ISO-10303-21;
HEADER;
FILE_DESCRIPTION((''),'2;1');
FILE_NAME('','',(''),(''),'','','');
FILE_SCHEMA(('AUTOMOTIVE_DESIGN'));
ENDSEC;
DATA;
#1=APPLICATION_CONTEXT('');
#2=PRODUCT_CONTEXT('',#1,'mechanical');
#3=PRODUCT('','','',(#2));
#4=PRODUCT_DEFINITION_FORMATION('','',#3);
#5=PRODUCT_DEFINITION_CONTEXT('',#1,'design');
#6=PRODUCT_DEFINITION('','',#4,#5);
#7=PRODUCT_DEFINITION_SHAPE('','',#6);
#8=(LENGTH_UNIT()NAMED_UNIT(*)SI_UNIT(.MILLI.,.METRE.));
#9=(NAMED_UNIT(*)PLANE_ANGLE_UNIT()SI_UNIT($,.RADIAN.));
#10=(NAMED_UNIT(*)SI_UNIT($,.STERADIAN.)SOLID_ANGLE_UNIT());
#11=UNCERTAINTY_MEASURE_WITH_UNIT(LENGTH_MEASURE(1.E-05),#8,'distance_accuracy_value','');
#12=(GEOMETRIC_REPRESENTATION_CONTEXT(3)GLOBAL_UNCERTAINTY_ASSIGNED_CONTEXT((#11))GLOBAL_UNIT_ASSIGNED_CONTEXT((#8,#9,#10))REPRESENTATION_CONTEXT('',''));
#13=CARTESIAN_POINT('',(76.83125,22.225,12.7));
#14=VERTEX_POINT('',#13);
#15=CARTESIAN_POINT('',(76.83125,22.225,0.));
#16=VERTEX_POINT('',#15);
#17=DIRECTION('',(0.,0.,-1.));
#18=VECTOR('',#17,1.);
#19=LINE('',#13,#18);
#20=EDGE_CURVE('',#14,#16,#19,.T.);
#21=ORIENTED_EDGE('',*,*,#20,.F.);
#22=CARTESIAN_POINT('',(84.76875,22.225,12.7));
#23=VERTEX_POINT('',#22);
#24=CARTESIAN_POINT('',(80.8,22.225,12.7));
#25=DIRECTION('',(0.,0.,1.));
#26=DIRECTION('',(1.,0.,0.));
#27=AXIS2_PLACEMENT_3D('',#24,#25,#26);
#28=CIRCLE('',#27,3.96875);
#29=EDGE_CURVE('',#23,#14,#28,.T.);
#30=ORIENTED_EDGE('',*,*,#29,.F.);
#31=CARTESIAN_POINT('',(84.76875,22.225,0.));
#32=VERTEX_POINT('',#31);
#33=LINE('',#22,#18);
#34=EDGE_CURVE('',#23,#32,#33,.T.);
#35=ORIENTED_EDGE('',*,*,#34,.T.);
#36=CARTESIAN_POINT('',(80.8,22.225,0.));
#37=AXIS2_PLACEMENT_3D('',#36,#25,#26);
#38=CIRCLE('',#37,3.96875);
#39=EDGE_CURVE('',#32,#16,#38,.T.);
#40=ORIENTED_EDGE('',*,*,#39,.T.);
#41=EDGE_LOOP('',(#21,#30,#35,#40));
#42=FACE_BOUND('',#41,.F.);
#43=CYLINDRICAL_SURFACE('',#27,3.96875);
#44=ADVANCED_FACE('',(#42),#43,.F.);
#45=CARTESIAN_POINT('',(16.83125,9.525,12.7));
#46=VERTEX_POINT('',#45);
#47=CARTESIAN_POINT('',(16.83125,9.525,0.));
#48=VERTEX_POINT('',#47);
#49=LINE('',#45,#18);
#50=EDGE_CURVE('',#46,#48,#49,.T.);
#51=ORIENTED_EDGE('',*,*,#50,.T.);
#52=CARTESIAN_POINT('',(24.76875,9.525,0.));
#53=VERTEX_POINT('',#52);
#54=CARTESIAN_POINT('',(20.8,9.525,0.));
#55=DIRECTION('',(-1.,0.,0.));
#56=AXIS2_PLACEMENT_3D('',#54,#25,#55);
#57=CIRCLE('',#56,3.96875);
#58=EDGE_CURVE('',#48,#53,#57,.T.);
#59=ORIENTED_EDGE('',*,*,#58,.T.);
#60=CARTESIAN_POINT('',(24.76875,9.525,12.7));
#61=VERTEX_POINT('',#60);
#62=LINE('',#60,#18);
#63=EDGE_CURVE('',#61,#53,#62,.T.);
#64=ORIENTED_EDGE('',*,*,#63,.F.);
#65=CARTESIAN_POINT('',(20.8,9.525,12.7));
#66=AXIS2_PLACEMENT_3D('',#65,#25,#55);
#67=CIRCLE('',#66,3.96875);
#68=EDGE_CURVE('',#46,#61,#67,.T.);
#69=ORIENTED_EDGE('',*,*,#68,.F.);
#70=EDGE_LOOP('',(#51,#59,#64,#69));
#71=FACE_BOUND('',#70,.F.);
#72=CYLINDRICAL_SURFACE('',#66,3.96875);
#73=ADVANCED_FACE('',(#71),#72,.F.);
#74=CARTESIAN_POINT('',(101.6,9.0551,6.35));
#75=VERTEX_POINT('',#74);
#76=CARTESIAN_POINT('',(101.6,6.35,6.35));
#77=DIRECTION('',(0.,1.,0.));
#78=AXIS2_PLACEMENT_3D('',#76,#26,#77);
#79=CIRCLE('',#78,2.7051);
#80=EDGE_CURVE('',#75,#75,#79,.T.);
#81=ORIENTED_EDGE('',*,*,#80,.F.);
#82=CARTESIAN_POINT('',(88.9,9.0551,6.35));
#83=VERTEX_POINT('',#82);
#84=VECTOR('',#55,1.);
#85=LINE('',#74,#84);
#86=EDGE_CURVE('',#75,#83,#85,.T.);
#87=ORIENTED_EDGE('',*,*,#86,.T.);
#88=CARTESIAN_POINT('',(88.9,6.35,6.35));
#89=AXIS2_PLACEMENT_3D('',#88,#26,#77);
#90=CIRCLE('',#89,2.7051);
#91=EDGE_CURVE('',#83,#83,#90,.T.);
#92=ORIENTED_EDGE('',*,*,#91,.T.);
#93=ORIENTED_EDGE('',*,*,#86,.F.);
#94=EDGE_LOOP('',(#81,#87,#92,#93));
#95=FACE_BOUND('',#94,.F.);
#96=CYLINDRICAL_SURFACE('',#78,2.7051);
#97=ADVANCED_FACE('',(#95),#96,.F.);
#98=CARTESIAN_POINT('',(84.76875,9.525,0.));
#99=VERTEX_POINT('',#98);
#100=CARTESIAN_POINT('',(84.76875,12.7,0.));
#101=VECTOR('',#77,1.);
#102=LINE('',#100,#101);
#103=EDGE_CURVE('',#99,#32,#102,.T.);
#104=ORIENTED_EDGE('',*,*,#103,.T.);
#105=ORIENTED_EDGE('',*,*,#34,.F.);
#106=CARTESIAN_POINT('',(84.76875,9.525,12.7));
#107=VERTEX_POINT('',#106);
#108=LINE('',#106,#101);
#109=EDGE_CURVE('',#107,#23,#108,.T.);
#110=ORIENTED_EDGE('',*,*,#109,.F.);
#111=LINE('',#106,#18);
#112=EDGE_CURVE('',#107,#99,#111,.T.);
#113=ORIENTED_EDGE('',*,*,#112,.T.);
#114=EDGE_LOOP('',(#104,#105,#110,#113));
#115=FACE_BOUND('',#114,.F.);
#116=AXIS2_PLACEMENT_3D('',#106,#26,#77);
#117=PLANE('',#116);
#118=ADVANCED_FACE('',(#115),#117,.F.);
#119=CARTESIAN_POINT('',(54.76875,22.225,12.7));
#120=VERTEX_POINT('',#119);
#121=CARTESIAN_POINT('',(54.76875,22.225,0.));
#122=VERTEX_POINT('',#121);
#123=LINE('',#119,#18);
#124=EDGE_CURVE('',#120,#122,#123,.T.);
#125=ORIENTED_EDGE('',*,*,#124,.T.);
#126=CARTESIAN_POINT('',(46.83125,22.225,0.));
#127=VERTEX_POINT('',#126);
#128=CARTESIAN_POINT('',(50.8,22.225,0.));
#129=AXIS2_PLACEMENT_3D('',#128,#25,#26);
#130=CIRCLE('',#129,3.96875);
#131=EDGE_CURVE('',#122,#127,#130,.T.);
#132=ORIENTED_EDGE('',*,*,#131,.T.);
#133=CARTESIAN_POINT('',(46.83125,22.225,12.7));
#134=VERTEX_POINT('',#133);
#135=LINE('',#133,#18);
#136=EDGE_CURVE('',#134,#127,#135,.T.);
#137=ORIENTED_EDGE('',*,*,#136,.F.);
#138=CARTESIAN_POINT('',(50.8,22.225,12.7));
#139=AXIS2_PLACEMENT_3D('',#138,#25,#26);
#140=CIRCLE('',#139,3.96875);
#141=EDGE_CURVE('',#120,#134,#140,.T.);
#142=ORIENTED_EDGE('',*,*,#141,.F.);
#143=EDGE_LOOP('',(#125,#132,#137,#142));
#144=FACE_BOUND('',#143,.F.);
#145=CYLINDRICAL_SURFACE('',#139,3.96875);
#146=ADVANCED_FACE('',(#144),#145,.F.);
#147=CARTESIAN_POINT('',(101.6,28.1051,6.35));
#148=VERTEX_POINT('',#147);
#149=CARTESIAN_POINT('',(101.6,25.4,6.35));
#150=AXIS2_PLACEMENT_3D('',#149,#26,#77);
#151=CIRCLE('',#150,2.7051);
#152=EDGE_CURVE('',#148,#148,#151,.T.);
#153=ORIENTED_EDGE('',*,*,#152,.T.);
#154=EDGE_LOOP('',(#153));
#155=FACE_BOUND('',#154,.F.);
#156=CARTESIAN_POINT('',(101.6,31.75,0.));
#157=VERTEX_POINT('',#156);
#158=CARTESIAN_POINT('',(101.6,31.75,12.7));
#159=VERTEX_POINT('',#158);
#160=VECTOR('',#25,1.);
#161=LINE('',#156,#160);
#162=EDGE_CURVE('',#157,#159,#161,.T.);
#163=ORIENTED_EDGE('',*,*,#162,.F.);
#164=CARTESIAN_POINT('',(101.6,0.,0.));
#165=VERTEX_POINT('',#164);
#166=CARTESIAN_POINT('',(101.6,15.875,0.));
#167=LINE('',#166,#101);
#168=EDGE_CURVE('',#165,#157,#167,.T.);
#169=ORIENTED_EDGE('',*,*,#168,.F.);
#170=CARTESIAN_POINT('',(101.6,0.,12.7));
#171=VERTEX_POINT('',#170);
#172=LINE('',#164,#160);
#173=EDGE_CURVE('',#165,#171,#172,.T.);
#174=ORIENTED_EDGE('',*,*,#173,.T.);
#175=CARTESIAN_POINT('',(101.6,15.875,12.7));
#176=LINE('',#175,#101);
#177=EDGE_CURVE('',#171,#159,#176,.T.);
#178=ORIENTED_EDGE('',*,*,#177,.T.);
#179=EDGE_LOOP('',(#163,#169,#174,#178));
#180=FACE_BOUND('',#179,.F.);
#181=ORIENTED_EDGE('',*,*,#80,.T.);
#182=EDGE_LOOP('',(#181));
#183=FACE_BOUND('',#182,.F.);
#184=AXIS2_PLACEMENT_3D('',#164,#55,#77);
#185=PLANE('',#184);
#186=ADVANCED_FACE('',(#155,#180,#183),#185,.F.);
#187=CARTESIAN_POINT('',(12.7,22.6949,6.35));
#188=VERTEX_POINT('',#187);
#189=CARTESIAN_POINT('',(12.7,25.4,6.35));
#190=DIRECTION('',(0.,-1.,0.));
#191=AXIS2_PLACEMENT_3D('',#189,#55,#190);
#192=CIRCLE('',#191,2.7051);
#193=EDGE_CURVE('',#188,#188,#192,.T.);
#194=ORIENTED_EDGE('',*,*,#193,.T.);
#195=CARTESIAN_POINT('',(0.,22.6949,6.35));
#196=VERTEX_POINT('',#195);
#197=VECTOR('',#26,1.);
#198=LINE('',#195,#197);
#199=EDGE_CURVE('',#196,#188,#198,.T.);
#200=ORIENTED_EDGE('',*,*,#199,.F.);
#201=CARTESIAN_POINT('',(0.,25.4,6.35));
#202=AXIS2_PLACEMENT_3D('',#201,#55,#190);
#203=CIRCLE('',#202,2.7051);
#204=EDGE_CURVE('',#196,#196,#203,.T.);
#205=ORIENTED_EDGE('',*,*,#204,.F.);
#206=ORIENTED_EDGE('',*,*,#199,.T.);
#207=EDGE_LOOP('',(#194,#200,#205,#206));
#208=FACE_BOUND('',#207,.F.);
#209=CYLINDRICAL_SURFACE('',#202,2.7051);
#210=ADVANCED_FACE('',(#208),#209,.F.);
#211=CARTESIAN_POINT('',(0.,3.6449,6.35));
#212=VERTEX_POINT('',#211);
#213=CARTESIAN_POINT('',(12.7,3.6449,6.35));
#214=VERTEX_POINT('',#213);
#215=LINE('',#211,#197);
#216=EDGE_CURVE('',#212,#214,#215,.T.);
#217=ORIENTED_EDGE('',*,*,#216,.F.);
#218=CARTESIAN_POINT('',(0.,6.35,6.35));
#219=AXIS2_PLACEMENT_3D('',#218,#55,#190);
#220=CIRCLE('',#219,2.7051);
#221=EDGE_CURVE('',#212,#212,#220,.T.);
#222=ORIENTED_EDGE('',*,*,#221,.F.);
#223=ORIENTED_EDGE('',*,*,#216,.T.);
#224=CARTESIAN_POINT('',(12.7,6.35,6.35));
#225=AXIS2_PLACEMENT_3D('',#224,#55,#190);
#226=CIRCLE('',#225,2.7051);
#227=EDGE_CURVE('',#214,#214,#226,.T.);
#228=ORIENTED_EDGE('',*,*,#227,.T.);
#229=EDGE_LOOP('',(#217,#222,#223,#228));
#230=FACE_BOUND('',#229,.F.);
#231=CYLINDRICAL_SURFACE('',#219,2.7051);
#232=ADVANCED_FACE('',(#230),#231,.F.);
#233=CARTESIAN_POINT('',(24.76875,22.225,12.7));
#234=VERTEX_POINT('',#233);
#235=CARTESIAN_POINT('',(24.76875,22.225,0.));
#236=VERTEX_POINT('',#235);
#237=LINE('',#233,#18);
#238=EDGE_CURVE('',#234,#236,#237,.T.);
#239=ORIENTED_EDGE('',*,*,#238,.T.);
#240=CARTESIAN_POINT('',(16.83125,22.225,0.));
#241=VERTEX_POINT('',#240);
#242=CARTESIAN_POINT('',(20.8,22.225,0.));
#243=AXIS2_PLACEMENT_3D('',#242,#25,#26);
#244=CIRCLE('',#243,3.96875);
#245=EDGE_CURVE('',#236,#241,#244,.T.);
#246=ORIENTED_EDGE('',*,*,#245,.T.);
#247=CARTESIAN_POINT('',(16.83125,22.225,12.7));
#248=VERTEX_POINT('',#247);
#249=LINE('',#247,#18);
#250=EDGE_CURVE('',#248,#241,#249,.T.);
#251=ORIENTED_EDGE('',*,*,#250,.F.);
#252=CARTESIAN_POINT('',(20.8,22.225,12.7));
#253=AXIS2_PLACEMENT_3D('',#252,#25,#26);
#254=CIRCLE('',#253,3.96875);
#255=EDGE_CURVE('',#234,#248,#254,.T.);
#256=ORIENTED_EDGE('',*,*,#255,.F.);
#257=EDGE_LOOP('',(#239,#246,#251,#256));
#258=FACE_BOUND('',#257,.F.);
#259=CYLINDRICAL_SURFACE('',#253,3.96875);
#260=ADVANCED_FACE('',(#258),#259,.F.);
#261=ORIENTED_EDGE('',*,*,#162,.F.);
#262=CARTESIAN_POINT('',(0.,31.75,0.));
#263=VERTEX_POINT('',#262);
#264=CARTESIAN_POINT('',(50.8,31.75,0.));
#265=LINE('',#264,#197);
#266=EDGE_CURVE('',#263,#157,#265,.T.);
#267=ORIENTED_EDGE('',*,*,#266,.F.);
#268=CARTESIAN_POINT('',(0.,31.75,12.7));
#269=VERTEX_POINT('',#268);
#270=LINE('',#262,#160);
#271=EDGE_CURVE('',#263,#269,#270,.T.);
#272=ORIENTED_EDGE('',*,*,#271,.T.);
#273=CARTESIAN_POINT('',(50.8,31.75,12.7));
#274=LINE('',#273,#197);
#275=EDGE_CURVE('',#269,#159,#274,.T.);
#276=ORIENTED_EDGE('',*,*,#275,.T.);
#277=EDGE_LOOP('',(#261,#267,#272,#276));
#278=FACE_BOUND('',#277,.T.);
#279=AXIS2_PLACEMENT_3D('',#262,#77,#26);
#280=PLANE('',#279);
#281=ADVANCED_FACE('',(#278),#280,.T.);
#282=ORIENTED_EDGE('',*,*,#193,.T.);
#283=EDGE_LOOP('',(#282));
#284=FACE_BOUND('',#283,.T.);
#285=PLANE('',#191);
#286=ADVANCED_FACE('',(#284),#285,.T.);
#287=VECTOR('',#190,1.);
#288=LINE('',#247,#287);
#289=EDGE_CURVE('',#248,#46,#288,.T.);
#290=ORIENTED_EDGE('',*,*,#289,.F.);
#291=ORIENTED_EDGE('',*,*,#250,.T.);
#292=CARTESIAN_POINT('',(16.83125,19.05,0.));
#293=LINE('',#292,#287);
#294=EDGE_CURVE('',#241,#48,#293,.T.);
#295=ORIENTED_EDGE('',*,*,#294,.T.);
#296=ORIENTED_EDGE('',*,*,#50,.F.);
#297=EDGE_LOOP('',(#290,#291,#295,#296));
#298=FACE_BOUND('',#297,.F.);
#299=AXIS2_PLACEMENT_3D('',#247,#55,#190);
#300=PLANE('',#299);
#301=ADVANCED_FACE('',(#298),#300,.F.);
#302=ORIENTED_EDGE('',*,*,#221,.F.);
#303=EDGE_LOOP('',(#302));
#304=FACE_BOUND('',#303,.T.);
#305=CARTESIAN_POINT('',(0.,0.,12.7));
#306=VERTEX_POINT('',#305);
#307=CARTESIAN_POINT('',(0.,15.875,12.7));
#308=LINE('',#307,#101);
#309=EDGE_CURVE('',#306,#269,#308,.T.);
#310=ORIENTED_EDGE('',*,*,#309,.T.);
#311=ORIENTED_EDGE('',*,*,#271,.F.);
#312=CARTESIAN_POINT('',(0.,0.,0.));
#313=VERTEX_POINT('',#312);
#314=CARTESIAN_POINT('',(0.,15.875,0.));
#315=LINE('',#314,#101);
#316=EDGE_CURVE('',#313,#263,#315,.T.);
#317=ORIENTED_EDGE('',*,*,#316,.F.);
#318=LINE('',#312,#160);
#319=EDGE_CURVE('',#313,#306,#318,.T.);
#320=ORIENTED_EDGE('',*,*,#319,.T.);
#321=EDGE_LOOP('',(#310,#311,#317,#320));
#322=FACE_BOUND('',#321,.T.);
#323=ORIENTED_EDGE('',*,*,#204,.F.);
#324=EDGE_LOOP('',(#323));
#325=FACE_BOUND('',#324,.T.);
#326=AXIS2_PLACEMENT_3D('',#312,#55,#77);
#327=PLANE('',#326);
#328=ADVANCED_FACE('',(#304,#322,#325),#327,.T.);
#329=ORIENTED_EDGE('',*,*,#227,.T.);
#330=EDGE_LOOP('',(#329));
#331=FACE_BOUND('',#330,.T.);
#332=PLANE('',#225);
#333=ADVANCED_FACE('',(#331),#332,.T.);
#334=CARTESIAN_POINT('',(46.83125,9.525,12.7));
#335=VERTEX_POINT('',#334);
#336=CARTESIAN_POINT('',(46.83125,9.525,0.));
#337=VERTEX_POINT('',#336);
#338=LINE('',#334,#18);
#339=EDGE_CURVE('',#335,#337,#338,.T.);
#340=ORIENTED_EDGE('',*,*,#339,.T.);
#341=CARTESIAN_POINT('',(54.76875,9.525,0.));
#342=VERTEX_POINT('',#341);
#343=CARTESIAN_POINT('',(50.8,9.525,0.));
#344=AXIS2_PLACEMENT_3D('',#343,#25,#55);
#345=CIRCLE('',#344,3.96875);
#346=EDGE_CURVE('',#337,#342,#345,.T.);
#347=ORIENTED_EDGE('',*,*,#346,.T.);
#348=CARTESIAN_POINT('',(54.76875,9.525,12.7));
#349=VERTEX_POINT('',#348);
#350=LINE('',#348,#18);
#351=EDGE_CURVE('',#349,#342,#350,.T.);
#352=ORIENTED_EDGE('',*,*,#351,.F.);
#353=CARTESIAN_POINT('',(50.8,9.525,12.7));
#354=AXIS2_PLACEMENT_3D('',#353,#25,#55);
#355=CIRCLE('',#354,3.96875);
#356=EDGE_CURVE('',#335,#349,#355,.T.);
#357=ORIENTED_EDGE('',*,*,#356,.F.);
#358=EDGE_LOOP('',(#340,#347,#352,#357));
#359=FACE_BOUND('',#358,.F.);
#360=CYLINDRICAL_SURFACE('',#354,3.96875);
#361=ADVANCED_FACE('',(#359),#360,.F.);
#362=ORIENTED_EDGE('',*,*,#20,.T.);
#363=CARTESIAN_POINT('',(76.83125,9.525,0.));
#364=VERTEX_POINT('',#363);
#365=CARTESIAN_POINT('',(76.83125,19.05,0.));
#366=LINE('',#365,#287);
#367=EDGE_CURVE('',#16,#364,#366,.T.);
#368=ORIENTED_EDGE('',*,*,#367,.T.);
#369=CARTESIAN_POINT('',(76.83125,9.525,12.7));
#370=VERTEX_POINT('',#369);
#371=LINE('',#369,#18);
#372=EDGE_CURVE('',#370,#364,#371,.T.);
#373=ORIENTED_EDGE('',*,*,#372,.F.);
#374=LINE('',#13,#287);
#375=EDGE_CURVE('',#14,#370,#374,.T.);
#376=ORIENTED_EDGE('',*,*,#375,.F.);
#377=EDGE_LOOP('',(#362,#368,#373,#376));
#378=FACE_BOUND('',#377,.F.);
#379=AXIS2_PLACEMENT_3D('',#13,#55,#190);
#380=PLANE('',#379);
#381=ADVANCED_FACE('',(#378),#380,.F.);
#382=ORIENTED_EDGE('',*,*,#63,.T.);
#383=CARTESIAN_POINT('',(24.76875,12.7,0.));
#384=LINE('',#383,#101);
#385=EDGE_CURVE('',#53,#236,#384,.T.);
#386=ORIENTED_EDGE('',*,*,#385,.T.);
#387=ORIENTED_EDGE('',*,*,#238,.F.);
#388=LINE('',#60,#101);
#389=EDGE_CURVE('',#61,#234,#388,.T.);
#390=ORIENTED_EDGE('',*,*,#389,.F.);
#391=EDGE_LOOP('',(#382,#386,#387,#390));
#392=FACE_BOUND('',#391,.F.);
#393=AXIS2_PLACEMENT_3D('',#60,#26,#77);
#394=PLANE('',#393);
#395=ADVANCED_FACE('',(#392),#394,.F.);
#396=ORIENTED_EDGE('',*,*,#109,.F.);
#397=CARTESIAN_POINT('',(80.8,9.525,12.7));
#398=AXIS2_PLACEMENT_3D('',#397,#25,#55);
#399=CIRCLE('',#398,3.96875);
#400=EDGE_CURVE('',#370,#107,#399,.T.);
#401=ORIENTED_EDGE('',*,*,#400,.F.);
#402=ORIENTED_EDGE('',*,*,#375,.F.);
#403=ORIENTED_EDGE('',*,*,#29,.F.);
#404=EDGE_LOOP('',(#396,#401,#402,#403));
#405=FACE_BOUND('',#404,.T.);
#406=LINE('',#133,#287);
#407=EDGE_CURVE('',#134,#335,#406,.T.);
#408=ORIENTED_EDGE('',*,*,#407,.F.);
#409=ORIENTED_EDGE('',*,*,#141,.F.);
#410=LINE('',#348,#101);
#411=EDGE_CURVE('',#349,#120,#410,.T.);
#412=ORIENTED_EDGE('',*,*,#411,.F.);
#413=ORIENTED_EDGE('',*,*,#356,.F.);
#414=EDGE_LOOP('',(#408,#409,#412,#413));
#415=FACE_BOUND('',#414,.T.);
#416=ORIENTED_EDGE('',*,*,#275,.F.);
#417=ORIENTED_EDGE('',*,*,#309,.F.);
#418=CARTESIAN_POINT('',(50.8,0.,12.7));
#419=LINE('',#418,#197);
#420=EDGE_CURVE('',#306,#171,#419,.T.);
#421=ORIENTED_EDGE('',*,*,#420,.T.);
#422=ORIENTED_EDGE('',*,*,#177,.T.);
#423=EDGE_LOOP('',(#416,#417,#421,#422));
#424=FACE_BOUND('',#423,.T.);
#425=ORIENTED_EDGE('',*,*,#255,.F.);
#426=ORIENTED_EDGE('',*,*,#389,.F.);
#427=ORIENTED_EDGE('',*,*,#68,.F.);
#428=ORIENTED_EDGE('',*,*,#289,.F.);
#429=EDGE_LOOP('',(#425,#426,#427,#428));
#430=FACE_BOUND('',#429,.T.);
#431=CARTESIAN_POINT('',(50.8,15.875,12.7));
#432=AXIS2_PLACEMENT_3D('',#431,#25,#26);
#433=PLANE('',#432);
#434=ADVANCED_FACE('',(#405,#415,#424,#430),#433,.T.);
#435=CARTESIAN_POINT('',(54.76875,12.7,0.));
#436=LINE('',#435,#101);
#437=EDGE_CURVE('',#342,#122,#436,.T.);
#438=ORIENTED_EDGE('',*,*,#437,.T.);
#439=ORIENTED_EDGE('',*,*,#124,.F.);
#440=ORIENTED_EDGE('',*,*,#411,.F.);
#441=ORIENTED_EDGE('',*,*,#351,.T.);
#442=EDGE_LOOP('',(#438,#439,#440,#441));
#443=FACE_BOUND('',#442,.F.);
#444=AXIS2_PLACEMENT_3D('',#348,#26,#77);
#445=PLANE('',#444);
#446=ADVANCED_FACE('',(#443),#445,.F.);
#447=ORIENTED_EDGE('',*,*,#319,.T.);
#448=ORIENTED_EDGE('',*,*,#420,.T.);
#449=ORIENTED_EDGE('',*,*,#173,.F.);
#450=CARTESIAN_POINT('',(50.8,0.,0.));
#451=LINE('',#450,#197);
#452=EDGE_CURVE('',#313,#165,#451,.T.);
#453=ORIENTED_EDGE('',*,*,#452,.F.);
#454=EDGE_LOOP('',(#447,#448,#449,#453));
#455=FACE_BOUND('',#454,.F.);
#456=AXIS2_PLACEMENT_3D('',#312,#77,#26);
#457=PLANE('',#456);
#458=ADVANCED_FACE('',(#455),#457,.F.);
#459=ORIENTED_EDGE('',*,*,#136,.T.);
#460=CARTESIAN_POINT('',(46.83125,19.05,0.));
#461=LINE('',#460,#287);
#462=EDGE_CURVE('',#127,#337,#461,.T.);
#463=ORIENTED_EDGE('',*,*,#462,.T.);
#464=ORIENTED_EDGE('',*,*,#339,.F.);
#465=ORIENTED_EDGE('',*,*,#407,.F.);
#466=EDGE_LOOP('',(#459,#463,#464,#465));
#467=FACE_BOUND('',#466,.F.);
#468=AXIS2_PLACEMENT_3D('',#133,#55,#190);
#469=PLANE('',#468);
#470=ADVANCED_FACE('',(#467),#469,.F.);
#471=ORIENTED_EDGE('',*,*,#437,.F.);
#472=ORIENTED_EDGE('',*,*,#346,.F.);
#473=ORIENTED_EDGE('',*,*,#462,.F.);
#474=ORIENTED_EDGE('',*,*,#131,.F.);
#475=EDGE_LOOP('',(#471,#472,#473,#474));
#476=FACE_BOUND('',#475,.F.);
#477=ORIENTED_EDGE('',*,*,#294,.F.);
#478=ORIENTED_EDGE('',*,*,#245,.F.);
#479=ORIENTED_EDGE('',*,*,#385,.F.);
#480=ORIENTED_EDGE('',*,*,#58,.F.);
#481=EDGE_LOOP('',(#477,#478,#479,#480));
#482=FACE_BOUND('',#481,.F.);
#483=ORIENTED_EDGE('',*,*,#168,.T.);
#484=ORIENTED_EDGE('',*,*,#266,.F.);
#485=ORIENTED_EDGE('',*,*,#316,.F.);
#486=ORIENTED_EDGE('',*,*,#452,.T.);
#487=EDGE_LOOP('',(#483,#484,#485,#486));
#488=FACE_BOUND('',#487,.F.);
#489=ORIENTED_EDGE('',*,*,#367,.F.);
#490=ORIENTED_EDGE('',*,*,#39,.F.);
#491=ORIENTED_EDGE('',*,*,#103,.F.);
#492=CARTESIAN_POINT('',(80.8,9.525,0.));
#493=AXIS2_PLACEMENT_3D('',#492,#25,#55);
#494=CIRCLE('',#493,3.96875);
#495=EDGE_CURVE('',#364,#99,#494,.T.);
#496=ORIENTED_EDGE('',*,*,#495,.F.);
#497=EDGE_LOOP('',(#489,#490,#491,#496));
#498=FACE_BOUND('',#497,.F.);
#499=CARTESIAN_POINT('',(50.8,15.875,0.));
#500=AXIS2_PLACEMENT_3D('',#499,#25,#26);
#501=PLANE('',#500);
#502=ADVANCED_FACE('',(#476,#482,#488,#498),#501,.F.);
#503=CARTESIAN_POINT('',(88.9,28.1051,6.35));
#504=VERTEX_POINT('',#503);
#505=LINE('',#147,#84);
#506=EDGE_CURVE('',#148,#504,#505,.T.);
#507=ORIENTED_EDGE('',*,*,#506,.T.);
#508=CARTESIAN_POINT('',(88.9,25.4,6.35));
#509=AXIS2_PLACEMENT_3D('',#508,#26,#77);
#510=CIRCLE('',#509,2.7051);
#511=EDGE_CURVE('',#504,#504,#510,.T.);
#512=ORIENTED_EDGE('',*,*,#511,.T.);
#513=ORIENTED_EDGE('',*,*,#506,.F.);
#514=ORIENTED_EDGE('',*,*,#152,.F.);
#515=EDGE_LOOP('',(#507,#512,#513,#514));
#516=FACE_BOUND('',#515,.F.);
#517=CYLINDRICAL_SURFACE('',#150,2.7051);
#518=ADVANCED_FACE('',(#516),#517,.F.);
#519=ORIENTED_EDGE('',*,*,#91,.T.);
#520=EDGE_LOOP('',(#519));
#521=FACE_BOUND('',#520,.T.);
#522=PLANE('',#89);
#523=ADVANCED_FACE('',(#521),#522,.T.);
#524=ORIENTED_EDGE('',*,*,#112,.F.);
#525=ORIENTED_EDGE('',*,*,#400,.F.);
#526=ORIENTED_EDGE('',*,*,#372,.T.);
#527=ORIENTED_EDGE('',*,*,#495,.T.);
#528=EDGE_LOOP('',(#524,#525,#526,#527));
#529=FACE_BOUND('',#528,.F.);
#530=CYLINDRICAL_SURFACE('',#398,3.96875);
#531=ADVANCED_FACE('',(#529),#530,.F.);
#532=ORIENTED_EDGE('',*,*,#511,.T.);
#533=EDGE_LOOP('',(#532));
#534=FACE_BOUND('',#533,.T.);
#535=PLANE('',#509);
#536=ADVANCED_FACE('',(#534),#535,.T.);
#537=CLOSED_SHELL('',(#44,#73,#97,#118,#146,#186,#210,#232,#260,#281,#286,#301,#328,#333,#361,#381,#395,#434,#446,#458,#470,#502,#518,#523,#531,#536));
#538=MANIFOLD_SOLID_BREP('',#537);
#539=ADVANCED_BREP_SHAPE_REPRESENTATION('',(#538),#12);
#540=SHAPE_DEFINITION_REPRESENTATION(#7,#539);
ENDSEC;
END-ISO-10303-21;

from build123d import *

# Parameters (mm, degrees)
F0_W     = 101.6
F0_H     = 31.75
F1_DEPTH = 12.7
F3_DEPTH = 25.4
F4_R     = 2.7051
F5_DEPTH = 12.7
F6_R     = 2.7051
F7_DEPTH = 12.7


with BuildPart() as f1:
    # F0 (on Top) → F1 (new body)
    with BuildSketch(Plane.XY):
        with Locations((50.8, 15.875)):
            Rectangle(F0_W, F0_H)
    extrude(amount=F1_DEPTH)

    # F2 (on face) → F3 (cut)
    with BuildSketch(Plane.XY.offset(12.7)):
        with BuildLine():
            ThreePointArc((24.76875, 22.225), (20.8, 26.19375), (16.83125, 22.225))
            Line((16.83125, 22.225), (16.83125, 9.525))
            ThreePointArc((16.83125, 9.525), (20.8, 5.55625), (24.76875, 9.525))
            Line((24.76875, 9.525), (24.76875, 22.225))
        make_face()
        with BuildLine():
            ThreePointArc((84.76875, 22.225), (80.8, 26.19375), (76.83125, 22.225))
            Line((76.83125, 22.225), (76.83125, 9.525))
            ThreePointArc((76.83125, 9.525), (80.8, 5.55625), (84.76875, 9.525))
            Line((84.76875, 9.525), (84.76875, 22.225))
        make_face()
        with BuildLine():
            ThreePointArc((54.76875, 22.225), (50.8, 26.19375), (46.83125, 22.225))
            Line((46.83125, 22.225), (46.83125, 9.525))
            ThreePointArc((46.83125, 9.525), (50.8, 5.55625), (54.76875, 9.525))
            Line((54.76875, 9.525), (54.76875, 22.225))
        make_face()
    extrude(amount=-F3_DEPTH, mode=Mode.SUBTRACT)

    # F4 (on face) → F5 (cut)
    with BuildSketch(Plane.YZ.offset(101.6)):
        with Locations((6.35, 6.35)):
            Circle(F4_R)
        with Locations((25.4, 6.35)):
            Circle(F4_R)
    extrude(amount=-F5_DEPTH, mode=Mode.SUBTRACT)

    # F6 (on face) → F7 (cut)
    with BuildSketch(Plane(origin=(0, 0, 0), x_dir=(0, -1, 0), z_dir=(-1, 0, 0))):
        with Locations((-25.4, 6.35)):
            Circle(F6_R)
        with Locations((-6.35, 6.35)):
            Circle(F6_R)
    extrude(amount=-F7_DEPTH, mode=Mode.SUBTRACT)


solid = f1.part
